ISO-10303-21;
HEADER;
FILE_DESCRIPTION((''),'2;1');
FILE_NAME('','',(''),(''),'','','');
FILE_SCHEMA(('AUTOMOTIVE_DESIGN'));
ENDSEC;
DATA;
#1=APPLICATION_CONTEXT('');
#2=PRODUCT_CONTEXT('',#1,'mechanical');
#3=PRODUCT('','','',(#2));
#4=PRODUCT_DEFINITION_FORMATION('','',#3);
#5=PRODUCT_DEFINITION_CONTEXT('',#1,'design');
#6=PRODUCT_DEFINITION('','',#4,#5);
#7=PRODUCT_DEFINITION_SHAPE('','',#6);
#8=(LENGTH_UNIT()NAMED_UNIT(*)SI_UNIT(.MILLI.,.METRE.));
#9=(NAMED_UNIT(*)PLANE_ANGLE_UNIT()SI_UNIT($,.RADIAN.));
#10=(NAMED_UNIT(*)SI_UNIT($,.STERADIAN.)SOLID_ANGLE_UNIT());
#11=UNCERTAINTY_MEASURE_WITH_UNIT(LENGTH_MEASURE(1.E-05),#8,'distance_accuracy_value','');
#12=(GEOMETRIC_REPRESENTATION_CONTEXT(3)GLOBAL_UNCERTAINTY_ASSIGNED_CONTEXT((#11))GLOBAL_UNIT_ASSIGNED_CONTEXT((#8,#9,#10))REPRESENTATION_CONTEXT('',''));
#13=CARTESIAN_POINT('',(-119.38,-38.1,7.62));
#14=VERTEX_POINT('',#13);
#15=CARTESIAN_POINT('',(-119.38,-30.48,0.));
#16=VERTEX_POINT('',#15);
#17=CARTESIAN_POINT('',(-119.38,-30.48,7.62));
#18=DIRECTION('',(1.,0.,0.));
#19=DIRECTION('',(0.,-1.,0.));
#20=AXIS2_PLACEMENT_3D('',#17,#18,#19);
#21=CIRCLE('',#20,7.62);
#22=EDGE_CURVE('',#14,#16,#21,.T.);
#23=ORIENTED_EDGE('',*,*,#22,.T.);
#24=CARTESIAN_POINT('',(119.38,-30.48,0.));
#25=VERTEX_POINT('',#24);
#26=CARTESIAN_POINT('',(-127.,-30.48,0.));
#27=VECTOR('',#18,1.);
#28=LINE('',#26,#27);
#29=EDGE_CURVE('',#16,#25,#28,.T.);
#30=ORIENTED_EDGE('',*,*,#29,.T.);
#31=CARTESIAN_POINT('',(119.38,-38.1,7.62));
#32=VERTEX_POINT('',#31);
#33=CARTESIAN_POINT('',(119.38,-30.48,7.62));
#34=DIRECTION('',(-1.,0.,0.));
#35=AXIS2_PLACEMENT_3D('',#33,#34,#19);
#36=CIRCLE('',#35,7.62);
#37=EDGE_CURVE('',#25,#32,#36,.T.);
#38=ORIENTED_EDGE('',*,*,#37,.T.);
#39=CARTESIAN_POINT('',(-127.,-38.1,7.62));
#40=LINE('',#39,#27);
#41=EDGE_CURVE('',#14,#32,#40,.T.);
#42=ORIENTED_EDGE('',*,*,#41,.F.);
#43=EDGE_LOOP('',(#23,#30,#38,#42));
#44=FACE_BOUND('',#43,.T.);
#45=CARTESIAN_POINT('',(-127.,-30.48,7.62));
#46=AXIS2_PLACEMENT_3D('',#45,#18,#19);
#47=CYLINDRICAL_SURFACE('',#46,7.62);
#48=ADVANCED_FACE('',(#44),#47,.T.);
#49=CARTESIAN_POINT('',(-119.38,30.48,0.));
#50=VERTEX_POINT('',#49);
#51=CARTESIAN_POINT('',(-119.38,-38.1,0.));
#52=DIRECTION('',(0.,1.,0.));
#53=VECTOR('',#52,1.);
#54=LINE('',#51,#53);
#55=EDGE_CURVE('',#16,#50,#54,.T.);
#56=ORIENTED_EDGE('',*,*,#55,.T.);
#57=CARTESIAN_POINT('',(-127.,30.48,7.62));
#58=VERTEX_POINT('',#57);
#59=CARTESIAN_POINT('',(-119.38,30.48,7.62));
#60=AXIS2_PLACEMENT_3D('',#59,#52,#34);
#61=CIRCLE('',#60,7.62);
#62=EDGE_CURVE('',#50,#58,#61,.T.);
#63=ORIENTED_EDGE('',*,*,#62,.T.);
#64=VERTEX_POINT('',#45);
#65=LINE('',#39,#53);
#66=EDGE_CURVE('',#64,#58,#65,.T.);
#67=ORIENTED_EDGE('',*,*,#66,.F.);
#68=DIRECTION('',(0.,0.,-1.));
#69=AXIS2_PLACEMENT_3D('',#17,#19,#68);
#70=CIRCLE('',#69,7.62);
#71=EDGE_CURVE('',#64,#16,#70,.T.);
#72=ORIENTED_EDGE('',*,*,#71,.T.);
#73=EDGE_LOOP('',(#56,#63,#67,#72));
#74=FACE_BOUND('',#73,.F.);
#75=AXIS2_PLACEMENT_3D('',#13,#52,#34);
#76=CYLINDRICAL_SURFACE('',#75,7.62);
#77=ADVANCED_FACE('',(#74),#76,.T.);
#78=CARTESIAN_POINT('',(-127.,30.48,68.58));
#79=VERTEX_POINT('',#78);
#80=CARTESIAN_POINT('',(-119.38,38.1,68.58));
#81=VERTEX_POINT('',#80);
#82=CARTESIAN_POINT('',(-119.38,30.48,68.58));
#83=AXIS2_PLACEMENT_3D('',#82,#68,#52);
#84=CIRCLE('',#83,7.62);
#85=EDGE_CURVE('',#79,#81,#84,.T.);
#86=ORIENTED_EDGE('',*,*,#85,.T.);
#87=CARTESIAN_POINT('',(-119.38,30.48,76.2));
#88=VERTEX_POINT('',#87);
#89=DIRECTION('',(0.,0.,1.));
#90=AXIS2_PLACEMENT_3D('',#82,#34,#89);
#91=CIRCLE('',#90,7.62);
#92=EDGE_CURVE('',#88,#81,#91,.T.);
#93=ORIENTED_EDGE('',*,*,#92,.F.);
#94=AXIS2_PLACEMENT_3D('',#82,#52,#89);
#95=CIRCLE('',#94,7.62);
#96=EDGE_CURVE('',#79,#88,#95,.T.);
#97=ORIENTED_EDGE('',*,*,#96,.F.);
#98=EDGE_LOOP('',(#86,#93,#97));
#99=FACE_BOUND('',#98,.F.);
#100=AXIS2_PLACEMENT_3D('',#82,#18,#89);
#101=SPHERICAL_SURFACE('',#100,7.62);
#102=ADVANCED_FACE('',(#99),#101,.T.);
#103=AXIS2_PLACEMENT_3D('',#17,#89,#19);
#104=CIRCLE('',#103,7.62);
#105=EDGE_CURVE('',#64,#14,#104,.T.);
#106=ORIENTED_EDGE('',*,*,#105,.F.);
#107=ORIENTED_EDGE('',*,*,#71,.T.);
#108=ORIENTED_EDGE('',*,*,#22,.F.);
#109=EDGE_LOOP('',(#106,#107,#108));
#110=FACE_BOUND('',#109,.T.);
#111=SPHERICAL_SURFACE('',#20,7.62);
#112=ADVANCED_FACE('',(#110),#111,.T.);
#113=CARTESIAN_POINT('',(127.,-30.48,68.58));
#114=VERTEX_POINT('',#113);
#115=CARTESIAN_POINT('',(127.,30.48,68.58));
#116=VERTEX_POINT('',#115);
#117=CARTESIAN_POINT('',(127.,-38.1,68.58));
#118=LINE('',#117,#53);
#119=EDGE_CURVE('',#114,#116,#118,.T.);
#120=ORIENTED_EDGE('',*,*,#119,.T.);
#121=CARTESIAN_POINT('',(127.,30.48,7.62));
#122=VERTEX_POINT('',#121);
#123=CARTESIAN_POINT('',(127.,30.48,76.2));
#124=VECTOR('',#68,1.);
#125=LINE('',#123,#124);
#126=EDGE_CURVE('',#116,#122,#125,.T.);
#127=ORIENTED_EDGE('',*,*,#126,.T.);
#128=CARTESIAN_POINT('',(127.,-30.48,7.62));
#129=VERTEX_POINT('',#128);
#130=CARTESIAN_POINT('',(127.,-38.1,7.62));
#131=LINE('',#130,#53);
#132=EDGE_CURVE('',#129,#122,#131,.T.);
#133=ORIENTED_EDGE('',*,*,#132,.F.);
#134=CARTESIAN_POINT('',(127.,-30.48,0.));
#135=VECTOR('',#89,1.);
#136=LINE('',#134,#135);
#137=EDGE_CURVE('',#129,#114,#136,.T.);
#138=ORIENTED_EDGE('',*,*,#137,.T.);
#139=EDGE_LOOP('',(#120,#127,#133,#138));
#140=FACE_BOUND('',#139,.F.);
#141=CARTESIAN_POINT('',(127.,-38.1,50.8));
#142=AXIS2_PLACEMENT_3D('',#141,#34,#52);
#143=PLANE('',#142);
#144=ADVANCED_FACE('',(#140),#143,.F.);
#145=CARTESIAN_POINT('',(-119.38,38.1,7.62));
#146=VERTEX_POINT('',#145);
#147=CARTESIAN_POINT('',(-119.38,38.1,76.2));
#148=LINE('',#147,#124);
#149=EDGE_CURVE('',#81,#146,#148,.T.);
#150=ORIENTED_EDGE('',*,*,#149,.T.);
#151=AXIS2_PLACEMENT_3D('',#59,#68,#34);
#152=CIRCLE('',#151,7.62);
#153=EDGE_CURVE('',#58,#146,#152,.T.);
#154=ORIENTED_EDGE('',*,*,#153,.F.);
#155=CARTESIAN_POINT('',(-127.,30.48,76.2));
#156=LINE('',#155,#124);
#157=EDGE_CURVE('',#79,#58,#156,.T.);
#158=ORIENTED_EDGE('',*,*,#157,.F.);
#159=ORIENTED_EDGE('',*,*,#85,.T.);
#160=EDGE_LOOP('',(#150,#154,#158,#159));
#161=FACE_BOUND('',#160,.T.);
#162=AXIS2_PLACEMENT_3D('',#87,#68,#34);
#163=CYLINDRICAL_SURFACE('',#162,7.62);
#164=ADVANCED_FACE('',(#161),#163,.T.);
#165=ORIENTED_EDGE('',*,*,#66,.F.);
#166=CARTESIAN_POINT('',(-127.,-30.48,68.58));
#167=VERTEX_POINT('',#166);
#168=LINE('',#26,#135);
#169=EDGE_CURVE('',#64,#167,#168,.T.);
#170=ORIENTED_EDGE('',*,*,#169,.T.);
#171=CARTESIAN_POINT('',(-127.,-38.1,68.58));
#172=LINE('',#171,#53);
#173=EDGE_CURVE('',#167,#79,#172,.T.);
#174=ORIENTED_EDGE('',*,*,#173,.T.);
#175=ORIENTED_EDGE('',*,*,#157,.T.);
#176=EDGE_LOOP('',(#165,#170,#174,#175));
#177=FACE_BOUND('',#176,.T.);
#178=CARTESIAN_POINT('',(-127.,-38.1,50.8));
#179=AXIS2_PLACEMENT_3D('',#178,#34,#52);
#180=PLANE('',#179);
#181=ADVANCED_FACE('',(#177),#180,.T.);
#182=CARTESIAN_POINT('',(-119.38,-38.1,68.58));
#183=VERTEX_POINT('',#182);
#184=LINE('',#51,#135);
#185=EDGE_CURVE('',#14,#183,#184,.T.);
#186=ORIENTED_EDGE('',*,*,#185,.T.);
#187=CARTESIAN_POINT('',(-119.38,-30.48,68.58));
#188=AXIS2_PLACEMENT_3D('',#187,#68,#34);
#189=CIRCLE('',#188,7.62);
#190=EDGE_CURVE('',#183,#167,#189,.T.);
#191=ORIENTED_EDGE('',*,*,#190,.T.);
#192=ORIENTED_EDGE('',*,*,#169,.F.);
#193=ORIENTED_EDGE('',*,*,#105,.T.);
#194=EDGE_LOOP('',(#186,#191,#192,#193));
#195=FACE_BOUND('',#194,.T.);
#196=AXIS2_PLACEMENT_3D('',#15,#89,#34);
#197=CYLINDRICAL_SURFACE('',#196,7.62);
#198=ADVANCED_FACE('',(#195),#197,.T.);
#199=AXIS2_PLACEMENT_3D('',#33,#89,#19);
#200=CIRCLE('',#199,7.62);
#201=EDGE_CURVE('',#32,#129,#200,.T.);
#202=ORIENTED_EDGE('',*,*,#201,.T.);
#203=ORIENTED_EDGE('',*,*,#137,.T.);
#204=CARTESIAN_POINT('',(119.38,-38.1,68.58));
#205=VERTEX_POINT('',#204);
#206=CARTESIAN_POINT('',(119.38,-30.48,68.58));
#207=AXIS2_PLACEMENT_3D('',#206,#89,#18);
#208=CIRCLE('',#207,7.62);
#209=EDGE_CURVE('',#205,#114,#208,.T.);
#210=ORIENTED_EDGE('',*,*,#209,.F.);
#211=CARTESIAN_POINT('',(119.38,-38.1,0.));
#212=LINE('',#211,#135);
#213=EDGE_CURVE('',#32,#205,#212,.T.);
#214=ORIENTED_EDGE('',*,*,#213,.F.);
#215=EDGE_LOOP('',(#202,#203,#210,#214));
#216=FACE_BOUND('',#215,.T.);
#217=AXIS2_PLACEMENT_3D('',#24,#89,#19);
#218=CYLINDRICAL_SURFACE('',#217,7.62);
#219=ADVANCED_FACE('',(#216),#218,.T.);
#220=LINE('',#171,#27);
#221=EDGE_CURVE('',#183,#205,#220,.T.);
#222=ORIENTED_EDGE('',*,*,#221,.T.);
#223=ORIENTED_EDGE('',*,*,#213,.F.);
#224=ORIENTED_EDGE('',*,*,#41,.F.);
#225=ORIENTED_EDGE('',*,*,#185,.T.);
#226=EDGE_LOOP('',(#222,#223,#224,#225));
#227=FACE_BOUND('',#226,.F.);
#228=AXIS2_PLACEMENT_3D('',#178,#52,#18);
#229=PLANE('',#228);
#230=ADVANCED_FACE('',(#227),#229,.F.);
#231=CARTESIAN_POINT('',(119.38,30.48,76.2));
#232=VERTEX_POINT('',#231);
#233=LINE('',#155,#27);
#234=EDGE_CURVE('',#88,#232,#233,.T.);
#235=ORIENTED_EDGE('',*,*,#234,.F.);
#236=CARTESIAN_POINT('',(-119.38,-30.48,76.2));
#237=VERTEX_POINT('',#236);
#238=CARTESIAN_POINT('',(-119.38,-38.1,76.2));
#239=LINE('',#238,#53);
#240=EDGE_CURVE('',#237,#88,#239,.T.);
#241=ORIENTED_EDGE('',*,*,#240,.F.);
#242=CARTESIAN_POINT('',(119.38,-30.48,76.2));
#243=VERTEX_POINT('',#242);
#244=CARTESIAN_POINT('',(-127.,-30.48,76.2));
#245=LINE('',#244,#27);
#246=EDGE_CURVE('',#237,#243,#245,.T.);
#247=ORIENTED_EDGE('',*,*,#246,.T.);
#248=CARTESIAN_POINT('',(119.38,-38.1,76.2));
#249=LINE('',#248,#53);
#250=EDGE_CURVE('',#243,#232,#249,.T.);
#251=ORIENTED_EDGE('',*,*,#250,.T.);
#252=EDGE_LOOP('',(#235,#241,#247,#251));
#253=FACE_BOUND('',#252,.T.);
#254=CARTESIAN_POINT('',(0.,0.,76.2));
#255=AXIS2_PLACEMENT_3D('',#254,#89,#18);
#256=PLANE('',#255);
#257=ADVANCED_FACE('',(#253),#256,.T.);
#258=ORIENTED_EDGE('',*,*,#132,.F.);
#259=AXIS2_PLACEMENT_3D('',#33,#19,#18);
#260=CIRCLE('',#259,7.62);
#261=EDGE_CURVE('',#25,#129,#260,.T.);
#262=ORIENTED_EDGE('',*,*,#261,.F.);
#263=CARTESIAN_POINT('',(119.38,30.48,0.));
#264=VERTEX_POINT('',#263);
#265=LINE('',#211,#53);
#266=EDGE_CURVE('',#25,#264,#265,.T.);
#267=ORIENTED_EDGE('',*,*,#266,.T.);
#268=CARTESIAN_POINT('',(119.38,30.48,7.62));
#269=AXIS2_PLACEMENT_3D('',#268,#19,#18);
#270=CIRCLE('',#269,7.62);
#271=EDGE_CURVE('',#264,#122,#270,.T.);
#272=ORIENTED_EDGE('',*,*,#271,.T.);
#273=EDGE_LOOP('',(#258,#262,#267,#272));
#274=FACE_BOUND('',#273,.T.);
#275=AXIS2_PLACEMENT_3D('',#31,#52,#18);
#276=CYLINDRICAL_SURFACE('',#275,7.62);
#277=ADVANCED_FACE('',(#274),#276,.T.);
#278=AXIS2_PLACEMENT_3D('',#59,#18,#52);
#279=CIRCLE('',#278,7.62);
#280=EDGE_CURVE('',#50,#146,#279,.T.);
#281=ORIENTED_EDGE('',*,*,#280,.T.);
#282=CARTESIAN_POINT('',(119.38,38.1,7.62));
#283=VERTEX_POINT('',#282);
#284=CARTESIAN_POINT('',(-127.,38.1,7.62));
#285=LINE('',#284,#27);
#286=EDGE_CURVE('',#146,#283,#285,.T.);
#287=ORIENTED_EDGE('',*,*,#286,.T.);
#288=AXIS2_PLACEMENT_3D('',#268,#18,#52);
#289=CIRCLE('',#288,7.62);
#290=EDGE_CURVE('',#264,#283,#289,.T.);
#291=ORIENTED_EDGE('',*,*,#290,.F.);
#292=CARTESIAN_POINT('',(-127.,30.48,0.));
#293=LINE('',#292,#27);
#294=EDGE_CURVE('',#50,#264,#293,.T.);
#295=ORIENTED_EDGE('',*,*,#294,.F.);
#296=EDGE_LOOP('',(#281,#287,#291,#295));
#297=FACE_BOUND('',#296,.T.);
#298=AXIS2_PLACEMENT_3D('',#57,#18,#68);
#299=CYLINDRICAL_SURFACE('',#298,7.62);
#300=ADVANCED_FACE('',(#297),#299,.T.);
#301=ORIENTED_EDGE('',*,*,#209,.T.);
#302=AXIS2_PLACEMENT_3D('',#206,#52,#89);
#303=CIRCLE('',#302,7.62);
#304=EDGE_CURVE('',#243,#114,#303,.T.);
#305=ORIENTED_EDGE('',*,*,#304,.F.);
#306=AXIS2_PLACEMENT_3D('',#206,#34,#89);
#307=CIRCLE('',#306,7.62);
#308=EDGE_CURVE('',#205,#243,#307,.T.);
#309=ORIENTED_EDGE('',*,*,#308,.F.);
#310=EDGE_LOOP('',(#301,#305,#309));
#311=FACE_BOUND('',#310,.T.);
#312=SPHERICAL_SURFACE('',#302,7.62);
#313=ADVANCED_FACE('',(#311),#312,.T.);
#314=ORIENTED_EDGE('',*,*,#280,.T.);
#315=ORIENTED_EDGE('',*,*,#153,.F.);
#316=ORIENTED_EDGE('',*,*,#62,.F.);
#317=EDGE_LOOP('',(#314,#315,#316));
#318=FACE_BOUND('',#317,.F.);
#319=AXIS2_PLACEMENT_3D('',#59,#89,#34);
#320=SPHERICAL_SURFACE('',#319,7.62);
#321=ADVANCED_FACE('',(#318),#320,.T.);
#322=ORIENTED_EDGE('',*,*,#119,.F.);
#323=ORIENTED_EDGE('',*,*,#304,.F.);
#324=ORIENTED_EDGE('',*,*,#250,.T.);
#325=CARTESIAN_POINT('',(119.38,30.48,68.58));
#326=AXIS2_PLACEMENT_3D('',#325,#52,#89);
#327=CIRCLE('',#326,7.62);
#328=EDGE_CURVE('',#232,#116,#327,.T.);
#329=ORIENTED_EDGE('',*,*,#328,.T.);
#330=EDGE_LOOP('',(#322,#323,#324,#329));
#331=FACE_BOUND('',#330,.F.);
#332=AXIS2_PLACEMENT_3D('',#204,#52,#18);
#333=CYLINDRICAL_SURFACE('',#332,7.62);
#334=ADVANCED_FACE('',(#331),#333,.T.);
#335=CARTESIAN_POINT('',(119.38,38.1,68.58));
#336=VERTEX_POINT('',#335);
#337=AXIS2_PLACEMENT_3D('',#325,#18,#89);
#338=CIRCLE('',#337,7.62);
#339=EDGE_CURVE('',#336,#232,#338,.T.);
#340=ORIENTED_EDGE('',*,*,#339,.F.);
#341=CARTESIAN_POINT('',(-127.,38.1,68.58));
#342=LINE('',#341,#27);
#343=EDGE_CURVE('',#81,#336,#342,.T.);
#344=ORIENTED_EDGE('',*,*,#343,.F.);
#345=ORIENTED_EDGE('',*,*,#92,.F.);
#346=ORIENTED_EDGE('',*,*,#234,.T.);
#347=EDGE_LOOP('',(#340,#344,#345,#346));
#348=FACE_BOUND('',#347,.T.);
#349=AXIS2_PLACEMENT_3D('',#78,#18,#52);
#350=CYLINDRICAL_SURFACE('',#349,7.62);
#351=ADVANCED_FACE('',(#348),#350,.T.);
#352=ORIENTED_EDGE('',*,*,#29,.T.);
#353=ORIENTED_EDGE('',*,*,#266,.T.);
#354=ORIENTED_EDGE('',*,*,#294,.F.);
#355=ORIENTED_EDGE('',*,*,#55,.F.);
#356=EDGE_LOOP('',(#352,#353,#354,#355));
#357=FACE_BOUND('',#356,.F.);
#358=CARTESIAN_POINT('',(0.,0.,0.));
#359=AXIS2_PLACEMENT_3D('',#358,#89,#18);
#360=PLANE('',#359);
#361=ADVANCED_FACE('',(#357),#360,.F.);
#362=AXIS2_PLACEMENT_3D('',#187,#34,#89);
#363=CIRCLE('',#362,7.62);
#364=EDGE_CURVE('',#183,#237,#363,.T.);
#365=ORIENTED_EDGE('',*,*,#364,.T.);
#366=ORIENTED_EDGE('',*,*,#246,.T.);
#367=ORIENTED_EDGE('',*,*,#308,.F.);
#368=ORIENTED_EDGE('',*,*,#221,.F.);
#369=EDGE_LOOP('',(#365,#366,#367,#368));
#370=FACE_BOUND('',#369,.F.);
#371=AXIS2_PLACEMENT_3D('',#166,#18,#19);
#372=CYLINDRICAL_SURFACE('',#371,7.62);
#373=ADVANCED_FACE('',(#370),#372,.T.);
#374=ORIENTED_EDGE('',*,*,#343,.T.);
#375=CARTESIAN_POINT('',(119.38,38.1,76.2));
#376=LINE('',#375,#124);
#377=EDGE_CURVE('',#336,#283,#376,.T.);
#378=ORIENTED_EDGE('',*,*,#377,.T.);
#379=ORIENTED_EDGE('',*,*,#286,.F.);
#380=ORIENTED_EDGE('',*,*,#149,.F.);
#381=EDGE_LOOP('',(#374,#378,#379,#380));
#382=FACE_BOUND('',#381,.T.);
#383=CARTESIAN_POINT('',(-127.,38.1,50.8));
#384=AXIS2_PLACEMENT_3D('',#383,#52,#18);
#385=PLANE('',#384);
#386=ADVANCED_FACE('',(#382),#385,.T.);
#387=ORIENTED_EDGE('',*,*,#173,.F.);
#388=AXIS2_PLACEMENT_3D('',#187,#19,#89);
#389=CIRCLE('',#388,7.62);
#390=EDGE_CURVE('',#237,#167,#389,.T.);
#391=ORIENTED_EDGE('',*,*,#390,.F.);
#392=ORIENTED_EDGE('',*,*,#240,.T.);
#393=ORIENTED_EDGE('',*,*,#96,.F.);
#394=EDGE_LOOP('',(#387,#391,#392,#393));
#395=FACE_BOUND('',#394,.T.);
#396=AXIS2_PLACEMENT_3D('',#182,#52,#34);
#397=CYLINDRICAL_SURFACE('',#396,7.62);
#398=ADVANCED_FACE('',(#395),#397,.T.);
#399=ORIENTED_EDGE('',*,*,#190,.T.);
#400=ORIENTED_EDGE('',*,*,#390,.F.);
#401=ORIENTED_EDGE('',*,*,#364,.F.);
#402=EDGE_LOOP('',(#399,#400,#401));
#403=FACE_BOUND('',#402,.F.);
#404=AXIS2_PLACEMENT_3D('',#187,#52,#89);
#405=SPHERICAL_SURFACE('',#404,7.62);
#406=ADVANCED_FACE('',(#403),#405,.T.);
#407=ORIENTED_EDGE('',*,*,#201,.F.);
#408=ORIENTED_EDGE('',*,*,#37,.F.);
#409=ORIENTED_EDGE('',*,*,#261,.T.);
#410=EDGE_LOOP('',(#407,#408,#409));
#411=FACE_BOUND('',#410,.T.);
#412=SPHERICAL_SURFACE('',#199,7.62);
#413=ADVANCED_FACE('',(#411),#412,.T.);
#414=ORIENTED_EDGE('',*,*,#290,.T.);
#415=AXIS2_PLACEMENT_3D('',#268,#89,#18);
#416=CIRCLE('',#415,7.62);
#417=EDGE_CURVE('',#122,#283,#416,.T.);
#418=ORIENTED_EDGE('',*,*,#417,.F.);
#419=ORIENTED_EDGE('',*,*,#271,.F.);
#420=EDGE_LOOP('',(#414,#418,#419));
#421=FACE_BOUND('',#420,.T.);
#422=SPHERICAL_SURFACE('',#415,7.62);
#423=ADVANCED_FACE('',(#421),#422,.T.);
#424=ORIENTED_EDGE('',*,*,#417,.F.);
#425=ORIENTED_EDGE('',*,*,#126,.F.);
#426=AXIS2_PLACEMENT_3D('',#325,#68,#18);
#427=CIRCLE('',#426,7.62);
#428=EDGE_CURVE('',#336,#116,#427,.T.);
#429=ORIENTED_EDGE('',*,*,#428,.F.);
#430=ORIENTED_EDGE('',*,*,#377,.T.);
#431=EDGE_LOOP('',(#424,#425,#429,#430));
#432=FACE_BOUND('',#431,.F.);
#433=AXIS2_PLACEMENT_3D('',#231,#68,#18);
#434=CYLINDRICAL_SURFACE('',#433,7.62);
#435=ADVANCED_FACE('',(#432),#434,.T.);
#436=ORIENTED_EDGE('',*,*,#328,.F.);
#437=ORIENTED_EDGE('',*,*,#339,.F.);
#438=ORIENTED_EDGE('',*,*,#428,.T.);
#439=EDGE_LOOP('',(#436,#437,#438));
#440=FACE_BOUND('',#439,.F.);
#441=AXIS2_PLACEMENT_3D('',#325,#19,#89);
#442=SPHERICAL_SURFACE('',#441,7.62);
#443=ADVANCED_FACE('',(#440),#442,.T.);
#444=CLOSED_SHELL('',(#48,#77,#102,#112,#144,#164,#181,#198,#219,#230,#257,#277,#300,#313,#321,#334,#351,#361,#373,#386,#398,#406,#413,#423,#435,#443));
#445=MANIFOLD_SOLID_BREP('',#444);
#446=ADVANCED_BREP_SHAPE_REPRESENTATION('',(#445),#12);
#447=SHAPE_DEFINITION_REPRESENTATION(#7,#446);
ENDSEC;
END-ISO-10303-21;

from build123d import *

# Parameters (mm, degrees)
F0_W     = 254
F0_H     = 76.2
F1_DEPTH = 50.8
F2_DEPTH = 25.4
F3_R     = 7.62


with BuildPart() as f1:
    # F0 (on Top) → F1 (new body)
    with BuildSketch(Plane.XY):
        Rectangle(F0_W, F0_H)
    extrude(amount=F1_DEPTH)

    # F2 (add): a face of the model
    f2_faces = [f1.faces().sort_by_distance(p)[0] for p in [
        (0, 0, 50.8),
    ]]
    extrude(f2_faces, amount=F2_DEPTH)

    # F3
    f3_edges = [f1.edges().sort_by_distance(p)[0] for p in [
        (127, 0, 76.2),
        (0, 38.1, 76.2),
        (-127, 0, 76.2),
        (0, -38.1, 76.2),
        (127, -38.1, 38.1),
        (127, 38.1, 38.1),
        (0, -38.1, 0),
        (-127, -38.1, 38.1),
        (-127, 38.1, 38.1),
        (-127, 0, 0),
        (127, 0, 0),
        (0, 38.1, 0),
    ]]
    fillet(f3_edges, radius=F3_R)


solid = f1.part
